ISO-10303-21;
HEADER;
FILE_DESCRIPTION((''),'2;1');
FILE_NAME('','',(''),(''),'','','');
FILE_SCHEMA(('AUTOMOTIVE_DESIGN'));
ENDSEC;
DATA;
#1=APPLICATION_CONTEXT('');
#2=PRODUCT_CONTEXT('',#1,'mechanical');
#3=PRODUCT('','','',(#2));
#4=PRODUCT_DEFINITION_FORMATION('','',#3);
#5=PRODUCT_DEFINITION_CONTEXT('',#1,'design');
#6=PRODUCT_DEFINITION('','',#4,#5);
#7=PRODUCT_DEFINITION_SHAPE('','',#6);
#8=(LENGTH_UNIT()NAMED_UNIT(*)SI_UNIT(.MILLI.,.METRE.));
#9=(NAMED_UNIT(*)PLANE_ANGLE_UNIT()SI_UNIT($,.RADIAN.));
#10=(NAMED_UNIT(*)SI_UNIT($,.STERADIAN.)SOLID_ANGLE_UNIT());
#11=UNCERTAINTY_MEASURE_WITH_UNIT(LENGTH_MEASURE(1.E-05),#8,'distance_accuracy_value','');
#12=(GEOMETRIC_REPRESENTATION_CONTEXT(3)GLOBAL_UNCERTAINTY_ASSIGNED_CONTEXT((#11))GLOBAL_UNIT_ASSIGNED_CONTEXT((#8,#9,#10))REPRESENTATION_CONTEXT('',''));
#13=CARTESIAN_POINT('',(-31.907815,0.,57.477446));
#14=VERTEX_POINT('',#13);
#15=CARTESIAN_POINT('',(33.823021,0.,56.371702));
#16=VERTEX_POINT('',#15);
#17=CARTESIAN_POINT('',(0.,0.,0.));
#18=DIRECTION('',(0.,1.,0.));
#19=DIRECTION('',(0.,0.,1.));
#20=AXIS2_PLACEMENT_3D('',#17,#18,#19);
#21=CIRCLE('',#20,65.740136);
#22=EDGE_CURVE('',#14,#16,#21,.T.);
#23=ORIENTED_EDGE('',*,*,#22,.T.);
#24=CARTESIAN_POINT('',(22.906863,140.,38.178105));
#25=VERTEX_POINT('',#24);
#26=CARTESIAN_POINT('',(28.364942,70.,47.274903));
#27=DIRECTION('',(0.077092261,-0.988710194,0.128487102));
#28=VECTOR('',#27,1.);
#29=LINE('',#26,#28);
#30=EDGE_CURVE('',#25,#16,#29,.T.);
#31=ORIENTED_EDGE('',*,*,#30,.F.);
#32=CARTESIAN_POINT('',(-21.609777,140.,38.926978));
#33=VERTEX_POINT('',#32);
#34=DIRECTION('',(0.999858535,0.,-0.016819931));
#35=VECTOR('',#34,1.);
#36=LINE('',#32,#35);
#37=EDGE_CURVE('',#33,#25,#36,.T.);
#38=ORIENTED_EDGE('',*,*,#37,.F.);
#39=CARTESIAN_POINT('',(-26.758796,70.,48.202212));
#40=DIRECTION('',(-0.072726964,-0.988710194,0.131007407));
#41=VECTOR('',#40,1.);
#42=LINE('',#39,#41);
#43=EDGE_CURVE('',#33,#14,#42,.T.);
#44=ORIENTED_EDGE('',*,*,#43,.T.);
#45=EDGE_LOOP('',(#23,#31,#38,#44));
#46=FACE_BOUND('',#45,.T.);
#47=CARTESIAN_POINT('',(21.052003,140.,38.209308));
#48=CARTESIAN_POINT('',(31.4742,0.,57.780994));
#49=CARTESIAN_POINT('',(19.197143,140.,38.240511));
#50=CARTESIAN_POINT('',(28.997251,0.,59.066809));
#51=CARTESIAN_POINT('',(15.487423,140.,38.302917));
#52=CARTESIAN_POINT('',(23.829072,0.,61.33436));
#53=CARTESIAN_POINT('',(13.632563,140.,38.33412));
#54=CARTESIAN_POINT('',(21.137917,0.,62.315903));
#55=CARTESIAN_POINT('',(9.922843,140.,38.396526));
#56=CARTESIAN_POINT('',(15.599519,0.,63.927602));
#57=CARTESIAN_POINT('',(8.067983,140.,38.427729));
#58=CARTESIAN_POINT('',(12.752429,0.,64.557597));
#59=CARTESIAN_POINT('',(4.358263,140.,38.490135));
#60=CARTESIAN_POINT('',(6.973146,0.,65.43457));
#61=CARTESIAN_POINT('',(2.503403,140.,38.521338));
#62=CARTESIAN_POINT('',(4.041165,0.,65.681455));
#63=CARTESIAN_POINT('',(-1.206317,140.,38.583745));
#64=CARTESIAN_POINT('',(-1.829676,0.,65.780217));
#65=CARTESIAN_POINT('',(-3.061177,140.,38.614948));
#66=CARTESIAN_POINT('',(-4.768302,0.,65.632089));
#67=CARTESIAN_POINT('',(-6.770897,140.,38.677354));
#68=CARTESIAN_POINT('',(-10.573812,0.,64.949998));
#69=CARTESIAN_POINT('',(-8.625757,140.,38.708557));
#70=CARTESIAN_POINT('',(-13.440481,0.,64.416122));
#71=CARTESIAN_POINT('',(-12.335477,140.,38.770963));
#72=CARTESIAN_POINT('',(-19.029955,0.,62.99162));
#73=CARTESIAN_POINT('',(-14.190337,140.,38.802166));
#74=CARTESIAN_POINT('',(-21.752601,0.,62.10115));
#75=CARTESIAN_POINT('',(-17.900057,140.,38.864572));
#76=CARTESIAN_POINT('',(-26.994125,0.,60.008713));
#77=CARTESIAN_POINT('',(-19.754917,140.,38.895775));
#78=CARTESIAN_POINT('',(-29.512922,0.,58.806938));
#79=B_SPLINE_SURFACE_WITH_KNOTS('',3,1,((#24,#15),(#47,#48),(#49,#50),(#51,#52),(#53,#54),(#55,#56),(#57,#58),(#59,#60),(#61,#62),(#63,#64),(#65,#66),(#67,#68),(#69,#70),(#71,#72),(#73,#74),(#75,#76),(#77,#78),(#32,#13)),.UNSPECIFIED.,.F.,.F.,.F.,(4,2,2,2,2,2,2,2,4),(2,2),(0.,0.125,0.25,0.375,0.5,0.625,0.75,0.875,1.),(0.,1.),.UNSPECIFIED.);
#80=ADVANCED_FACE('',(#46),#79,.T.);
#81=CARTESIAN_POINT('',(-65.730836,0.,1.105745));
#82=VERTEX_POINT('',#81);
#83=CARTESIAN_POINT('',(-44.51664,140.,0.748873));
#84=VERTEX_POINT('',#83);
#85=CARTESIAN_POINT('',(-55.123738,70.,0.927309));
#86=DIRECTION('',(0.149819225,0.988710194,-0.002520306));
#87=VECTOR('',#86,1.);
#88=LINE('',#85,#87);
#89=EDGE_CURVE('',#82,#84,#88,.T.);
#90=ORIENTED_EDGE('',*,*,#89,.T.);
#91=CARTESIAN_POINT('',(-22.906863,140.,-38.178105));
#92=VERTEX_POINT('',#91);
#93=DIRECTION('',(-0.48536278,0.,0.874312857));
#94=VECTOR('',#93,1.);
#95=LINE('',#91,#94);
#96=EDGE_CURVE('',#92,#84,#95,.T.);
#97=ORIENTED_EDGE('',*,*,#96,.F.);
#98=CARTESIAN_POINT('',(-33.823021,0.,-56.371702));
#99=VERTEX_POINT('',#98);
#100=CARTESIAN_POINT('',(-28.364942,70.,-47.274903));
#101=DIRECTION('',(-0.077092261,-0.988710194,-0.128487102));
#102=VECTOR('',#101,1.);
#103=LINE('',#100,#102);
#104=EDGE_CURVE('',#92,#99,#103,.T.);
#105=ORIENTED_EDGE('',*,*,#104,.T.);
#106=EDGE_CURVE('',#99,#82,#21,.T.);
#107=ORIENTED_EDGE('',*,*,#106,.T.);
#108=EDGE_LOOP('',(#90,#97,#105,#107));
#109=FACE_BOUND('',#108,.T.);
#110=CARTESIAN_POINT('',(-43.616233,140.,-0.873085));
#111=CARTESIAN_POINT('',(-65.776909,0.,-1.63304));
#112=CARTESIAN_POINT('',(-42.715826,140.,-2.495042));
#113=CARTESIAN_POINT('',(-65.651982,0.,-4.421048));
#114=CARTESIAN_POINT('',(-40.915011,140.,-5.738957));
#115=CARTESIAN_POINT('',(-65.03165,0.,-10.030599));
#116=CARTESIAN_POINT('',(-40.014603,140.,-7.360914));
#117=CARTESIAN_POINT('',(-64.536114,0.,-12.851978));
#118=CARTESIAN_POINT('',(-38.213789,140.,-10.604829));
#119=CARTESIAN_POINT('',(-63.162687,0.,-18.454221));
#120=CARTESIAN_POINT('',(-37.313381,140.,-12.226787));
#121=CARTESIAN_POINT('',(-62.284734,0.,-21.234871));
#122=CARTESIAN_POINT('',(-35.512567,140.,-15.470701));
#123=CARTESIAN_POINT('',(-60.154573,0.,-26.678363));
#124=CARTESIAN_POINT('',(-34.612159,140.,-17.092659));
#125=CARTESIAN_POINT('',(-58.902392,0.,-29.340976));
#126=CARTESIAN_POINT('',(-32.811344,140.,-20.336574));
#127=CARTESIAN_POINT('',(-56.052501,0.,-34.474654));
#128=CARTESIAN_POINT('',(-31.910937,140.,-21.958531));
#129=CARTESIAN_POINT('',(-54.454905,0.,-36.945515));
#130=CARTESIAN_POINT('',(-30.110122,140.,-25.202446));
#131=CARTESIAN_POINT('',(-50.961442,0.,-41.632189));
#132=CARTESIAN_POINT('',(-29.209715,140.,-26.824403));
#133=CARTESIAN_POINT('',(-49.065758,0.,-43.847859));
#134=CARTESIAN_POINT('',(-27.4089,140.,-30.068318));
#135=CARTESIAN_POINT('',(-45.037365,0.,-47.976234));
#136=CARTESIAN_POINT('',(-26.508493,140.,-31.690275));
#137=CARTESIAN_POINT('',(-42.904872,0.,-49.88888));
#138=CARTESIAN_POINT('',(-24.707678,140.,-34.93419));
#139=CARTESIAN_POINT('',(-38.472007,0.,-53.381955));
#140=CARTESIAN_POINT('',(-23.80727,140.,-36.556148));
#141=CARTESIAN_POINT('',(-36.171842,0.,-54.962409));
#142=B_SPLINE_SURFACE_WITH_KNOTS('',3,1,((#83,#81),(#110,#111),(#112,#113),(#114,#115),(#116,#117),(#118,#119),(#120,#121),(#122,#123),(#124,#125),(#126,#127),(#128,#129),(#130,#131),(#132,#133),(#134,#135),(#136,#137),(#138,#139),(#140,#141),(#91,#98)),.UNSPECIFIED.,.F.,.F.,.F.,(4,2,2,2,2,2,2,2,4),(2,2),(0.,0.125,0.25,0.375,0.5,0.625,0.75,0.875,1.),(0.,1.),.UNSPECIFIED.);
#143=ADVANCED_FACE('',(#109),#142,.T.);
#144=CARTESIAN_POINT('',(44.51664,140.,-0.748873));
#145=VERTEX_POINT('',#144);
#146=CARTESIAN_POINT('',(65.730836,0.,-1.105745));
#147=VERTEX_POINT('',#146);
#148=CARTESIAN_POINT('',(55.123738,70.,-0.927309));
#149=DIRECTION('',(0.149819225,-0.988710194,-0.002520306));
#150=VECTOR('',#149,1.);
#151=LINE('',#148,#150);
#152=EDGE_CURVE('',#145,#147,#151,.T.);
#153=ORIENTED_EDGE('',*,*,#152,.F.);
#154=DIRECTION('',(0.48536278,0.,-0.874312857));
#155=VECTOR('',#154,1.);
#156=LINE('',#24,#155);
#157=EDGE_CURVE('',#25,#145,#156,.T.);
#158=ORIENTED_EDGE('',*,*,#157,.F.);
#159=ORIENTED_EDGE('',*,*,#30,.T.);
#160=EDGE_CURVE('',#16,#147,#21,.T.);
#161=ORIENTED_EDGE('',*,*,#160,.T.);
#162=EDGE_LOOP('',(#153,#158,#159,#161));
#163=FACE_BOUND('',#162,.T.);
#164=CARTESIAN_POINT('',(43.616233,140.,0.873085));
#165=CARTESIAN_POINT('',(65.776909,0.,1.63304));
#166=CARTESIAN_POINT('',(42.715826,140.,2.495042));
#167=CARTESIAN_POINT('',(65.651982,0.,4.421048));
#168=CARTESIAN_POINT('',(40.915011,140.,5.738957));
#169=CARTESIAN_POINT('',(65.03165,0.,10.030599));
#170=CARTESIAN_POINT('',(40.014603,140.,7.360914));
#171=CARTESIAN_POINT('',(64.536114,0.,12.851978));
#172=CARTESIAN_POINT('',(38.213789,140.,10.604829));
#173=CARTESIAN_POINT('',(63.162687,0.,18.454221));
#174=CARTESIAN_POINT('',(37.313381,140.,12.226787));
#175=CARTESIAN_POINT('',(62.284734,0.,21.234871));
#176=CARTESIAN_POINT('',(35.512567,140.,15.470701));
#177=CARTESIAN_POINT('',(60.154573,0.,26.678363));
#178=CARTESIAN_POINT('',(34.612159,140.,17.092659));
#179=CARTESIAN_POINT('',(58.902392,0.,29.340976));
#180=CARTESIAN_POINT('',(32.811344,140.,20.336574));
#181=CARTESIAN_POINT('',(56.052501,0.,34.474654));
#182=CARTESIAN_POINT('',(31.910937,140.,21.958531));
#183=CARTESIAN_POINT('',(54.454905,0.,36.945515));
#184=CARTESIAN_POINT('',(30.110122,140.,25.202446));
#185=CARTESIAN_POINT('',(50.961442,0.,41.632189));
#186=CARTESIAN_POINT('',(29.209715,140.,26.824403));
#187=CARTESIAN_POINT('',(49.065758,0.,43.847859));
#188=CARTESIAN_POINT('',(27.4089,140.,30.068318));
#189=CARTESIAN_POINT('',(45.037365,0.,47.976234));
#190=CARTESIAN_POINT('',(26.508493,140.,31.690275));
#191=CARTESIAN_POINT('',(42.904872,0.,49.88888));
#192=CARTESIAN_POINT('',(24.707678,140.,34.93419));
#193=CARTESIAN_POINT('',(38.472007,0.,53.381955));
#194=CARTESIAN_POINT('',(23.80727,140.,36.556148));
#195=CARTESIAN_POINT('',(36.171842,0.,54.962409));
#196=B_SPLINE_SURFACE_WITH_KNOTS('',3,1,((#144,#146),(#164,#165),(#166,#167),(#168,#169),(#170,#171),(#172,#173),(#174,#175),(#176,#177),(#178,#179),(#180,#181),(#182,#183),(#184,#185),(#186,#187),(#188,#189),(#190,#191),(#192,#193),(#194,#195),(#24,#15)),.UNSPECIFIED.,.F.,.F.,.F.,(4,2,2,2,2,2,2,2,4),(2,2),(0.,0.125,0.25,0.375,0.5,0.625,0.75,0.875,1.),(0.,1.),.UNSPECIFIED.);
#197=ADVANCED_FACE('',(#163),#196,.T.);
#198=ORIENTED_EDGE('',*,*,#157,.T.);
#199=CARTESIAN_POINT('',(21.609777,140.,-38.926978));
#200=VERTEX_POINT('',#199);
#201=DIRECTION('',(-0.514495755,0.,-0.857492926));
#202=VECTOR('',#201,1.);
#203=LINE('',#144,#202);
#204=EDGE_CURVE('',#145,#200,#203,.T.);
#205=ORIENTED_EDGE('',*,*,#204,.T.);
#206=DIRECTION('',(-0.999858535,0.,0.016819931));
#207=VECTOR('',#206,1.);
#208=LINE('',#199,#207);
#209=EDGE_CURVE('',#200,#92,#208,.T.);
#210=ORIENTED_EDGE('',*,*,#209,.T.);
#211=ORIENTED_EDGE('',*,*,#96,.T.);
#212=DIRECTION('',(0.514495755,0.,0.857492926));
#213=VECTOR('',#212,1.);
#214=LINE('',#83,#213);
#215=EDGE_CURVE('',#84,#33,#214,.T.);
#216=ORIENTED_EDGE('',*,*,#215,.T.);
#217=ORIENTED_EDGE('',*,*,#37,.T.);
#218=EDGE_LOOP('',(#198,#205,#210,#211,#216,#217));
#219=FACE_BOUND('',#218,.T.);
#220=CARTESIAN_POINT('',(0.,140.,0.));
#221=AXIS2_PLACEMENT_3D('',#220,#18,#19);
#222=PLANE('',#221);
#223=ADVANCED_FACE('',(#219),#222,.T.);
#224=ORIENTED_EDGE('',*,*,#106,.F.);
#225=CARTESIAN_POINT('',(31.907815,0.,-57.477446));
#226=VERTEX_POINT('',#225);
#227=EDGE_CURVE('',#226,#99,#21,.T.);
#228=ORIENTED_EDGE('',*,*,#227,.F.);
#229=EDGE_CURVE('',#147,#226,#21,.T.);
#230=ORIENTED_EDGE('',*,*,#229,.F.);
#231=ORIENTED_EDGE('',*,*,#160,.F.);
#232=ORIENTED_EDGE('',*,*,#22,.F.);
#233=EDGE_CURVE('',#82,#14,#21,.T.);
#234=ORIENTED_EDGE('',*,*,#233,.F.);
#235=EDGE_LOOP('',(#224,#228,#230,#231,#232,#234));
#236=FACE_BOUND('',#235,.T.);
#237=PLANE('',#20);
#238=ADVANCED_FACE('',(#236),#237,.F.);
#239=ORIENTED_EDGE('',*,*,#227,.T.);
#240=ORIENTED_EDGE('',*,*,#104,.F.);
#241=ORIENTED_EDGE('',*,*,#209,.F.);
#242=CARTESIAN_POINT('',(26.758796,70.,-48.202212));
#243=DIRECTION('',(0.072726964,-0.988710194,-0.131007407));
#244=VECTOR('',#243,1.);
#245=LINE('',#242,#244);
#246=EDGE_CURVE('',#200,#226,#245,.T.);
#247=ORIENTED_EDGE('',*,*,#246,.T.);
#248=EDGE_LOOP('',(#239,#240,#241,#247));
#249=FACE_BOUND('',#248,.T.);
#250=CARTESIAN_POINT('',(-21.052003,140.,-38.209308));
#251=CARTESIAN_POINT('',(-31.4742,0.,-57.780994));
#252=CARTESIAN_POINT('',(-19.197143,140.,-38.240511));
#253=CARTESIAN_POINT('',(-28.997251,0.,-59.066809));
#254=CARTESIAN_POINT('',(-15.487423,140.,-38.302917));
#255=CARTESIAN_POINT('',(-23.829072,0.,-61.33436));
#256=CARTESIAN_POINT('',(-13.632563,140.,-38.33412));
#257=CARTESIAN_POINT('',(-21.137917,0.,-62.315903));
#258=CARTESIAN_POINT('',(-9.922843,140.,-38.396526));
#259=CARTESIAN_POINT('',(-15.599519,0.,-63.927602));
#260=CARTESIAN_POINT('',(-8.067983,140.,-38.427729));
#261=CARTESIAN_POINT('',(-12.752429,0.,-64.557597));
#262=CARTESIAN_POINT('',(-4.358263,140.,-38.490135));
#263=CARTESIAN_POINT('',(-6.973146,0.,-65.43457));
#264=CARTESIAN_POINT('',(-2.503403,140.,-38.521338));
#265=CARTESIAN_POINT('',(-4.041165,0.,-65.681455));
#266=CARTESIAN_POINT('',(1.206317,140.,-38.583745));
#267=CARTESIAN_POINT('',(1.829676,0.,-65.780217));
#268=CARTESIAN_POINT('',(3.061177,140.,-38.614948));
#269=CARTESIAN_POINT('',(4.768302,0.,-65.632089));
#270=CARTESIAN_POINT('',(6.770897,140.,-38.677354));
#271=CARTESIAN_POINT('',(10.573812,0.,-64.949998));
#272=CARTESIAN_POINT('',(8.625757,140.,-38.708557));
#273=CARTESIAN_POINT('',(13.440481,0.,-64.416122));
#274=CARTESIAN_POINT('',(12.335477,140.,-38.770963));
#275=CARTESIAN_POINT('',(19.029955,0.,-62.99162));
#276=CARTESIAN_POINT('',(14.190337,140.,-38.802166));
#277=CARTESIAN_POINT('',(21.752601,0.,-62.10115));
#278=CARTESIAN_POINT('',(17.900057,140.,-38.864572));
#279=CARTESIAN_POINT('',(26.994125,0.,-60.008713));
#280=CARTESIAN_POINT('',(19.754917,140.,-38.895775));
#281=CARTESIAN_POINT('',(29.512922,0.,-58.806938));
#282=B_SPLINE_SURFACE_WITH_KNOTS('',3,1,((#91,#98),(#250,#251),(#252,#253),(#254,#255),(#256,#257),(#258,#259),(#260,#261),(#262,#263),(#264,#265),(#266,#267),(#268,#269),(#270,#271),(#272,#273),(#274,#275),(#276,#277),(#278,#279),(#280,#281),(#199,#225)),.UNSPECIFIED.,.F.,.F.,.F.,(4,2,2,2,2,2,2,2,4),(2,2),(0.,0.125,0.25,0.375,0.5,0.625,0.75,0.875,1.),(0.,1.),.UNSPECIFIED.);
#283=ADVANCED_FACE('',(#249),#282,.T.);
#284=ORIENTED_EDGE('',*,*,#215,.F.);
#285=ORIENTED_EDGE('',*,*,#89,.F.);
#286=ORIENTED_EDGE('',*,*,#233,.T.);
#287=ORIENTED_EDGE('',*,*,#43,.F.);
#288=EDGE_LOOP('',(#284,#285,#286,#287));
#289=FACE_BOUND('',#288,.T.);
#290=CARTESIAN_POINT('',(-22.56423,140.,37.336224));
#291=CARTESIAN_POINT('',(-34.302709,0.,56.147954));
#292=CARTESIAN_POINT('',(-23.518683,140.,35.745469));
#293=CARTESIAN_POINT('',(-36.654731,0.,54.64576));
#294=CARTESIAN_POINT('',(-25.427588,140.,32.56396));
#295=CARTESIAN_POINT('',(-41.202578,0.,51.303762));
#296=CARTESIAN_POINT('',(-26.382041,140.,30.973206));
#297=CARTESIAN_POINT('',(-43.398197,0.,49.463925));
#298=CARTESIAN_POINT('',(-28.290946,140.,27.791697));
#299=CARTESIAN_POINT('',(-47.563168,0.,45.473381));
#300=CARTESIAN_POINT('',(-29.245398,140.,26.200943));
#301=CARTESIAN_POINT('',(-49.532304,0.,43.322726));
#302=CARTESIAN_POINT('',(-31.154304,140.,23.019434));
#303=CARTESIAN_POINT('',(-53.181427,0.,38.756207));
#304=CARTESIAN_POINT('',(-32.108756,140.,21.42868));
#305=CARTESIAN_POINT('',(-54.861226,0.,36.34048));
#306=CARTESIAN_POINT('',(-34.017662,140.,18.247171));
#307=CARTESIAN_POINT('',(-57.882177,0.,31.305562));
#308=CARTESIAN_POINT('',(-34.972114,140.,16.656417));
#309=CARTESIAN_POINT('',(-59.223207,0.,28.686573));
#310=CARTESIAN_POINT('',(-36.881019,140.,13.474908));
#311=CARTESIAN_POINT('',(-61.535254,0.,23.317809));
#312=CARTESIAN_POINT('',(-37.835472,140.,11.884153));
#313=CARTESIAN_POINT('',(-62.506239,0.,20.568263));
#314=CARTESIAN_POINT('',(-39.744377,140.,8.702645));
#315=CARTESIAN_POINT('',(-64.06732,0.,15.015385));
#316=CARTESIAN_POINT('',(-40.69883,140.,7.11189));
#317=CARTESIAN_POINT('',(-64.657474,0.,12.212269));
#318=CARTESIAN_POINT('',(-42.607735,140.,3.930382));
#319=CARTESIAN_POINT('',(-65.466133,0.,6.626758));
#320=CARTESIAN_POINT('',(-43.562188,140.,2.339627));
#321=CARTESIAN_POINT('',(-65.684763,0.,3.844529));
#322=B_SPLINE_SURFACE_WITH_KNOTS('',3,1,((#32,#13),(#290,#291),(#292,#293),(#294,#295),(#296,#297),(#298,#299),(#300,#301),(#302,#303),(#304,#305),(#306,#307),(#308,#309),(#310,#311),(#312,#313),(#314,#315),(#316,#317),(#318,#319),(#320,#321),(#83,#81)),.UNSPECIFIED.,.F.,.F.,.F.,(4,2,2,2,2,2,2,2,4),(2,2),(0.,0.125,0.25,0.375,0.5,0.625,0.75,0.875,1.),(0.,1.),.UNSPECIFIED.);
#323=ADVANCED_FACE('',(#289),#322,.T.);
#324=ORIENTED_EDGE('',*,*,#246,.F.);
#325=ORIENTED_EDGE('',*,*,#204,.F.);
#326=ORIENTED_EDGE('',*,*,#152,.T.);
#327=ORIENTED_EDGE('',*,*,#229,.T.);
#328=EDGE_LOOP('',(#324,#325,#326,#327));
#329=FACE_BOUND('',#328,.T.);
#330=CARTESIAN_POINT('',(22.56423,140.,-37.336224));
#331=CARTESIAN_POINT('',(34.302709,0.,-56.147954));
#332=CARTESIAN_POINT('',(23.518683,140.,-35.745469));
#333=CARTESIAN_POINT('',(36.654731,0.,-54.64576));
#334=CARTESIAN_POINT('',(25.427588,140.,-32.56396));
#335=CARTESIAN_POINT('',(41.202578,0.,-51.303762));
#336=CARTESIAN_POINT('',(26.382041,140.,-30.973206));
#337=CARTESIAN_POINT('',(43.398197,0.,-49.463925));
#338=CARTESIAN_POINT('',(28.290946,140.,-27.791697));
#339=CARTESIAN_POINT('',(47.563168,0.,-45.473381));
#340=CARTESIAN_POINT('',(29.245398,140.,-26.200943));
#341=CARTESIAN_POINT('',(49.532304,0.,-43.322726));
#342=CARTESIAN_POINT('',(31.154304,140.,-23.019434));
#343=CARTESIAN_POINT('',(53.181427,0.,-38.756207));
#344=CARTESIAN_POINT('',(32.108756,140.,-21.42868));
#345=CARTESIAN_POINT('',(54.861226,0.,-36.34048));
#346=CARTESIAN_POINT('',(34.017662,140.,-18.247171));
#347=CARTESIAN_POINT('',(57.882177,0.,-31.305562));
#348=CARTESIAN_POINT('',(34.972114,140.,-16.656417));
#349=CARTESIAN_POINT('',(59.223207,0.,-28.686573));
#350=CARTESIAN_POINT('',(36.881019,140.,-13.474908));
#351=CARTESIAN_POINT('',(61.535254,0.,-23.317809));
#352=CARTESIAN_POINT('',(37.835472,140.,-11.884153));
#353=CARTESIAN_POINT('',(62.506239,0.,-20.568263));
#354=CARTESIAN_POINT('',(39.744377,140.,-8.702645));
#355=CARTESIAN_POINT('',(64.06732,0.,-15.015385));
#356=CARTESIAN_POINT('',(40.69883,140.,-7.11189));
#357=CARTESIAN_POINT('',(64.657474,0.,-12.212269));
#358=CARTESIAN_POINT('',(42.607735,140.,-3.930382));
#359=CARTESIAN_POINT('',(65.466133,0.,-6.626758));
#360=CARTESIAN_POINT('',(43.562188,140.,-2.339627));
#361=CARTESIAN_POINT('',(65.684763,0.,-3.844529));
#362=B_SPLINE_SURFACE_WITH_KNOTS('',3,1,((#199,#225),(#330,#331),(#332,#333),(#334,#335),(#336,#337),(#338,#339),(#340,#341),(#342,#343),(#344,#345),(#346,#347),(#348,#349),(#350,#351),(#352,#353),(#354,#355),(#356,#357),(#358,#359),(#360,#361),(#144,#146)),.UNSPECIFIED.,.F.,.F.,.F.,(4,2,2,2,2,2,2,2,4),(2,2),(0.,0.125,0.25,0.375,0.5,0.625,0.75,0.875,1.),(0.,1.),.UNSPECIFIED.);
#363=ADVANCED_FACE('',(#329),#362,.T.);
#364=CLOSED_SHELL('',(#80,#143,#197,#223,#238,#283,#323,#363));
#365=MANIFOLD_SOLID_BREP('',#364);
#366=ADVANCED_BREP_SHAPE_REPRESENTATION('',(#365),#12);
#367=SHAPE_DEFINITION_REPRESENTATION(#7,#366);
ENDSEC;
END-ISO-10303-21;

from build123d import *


with BuildPart() as part:
    # Sketch2 → Loft2 section 0
    with BuildSketch(Plane(origin=(0, 140, 0), x_dir=(1, 0, 0), z_dir=(0, 1, 0))):
        Polygon((22.906863075, -38.178105125), (44.516640444, 0.748872781), (21.609777369, 38.926977906), (-22.906863075, 38.178105125), (-44.516640444, -0.748872781), (-21.609777369, -38.926977906), align=None)
    # Sketch1 for Loft2 → Loft2 section 1
    with BuildSketch(Plane(origin=(0, 0, 0), x_dir=(1, 0, 0), z_dir=(0, 1, 0))):
        with BuildLine():
            # circular arc as an exact rational Bezier (weights 1, cos(half-angle), 1)
            Bezier((33.823020911, -56.371701518), (66.369237958, -36.843971291), (65.730836025, 1.105744582), weights=[1, 0.866025404, 1])
            Bezier((65.730836025, 1.105744582), (65.092434092, 39.055460455), (31.907815114, 57.477446101), weights=[1, 0.866025404, 1])
            Bezier((31.907815114, 57.477446101), (-1.276803865, 75.899431746), (-33.823020911, 56.371701518), weights=[1, 0.866025404, 1])
            Bezier((-33.823020911, 56.371701518), (-66.369237958, 36.843971291), (-65.730836025, -1.105744582), weights=[1, 0.866025404, 1])
            Bezier((-65.730836025, -1.105744582), (-65.092434092, -39.055460455), (-31.907815114, -57.477446101), weights=[1, 0.866025404, 1])
            Bezier((-31.907815114, -57.477446101), (1.276803865, -75.899431746), (33.823020911, -56.371701518), weights=[1, 0.866025404, 1])
        make_face()
    loft()


solid = part.part
